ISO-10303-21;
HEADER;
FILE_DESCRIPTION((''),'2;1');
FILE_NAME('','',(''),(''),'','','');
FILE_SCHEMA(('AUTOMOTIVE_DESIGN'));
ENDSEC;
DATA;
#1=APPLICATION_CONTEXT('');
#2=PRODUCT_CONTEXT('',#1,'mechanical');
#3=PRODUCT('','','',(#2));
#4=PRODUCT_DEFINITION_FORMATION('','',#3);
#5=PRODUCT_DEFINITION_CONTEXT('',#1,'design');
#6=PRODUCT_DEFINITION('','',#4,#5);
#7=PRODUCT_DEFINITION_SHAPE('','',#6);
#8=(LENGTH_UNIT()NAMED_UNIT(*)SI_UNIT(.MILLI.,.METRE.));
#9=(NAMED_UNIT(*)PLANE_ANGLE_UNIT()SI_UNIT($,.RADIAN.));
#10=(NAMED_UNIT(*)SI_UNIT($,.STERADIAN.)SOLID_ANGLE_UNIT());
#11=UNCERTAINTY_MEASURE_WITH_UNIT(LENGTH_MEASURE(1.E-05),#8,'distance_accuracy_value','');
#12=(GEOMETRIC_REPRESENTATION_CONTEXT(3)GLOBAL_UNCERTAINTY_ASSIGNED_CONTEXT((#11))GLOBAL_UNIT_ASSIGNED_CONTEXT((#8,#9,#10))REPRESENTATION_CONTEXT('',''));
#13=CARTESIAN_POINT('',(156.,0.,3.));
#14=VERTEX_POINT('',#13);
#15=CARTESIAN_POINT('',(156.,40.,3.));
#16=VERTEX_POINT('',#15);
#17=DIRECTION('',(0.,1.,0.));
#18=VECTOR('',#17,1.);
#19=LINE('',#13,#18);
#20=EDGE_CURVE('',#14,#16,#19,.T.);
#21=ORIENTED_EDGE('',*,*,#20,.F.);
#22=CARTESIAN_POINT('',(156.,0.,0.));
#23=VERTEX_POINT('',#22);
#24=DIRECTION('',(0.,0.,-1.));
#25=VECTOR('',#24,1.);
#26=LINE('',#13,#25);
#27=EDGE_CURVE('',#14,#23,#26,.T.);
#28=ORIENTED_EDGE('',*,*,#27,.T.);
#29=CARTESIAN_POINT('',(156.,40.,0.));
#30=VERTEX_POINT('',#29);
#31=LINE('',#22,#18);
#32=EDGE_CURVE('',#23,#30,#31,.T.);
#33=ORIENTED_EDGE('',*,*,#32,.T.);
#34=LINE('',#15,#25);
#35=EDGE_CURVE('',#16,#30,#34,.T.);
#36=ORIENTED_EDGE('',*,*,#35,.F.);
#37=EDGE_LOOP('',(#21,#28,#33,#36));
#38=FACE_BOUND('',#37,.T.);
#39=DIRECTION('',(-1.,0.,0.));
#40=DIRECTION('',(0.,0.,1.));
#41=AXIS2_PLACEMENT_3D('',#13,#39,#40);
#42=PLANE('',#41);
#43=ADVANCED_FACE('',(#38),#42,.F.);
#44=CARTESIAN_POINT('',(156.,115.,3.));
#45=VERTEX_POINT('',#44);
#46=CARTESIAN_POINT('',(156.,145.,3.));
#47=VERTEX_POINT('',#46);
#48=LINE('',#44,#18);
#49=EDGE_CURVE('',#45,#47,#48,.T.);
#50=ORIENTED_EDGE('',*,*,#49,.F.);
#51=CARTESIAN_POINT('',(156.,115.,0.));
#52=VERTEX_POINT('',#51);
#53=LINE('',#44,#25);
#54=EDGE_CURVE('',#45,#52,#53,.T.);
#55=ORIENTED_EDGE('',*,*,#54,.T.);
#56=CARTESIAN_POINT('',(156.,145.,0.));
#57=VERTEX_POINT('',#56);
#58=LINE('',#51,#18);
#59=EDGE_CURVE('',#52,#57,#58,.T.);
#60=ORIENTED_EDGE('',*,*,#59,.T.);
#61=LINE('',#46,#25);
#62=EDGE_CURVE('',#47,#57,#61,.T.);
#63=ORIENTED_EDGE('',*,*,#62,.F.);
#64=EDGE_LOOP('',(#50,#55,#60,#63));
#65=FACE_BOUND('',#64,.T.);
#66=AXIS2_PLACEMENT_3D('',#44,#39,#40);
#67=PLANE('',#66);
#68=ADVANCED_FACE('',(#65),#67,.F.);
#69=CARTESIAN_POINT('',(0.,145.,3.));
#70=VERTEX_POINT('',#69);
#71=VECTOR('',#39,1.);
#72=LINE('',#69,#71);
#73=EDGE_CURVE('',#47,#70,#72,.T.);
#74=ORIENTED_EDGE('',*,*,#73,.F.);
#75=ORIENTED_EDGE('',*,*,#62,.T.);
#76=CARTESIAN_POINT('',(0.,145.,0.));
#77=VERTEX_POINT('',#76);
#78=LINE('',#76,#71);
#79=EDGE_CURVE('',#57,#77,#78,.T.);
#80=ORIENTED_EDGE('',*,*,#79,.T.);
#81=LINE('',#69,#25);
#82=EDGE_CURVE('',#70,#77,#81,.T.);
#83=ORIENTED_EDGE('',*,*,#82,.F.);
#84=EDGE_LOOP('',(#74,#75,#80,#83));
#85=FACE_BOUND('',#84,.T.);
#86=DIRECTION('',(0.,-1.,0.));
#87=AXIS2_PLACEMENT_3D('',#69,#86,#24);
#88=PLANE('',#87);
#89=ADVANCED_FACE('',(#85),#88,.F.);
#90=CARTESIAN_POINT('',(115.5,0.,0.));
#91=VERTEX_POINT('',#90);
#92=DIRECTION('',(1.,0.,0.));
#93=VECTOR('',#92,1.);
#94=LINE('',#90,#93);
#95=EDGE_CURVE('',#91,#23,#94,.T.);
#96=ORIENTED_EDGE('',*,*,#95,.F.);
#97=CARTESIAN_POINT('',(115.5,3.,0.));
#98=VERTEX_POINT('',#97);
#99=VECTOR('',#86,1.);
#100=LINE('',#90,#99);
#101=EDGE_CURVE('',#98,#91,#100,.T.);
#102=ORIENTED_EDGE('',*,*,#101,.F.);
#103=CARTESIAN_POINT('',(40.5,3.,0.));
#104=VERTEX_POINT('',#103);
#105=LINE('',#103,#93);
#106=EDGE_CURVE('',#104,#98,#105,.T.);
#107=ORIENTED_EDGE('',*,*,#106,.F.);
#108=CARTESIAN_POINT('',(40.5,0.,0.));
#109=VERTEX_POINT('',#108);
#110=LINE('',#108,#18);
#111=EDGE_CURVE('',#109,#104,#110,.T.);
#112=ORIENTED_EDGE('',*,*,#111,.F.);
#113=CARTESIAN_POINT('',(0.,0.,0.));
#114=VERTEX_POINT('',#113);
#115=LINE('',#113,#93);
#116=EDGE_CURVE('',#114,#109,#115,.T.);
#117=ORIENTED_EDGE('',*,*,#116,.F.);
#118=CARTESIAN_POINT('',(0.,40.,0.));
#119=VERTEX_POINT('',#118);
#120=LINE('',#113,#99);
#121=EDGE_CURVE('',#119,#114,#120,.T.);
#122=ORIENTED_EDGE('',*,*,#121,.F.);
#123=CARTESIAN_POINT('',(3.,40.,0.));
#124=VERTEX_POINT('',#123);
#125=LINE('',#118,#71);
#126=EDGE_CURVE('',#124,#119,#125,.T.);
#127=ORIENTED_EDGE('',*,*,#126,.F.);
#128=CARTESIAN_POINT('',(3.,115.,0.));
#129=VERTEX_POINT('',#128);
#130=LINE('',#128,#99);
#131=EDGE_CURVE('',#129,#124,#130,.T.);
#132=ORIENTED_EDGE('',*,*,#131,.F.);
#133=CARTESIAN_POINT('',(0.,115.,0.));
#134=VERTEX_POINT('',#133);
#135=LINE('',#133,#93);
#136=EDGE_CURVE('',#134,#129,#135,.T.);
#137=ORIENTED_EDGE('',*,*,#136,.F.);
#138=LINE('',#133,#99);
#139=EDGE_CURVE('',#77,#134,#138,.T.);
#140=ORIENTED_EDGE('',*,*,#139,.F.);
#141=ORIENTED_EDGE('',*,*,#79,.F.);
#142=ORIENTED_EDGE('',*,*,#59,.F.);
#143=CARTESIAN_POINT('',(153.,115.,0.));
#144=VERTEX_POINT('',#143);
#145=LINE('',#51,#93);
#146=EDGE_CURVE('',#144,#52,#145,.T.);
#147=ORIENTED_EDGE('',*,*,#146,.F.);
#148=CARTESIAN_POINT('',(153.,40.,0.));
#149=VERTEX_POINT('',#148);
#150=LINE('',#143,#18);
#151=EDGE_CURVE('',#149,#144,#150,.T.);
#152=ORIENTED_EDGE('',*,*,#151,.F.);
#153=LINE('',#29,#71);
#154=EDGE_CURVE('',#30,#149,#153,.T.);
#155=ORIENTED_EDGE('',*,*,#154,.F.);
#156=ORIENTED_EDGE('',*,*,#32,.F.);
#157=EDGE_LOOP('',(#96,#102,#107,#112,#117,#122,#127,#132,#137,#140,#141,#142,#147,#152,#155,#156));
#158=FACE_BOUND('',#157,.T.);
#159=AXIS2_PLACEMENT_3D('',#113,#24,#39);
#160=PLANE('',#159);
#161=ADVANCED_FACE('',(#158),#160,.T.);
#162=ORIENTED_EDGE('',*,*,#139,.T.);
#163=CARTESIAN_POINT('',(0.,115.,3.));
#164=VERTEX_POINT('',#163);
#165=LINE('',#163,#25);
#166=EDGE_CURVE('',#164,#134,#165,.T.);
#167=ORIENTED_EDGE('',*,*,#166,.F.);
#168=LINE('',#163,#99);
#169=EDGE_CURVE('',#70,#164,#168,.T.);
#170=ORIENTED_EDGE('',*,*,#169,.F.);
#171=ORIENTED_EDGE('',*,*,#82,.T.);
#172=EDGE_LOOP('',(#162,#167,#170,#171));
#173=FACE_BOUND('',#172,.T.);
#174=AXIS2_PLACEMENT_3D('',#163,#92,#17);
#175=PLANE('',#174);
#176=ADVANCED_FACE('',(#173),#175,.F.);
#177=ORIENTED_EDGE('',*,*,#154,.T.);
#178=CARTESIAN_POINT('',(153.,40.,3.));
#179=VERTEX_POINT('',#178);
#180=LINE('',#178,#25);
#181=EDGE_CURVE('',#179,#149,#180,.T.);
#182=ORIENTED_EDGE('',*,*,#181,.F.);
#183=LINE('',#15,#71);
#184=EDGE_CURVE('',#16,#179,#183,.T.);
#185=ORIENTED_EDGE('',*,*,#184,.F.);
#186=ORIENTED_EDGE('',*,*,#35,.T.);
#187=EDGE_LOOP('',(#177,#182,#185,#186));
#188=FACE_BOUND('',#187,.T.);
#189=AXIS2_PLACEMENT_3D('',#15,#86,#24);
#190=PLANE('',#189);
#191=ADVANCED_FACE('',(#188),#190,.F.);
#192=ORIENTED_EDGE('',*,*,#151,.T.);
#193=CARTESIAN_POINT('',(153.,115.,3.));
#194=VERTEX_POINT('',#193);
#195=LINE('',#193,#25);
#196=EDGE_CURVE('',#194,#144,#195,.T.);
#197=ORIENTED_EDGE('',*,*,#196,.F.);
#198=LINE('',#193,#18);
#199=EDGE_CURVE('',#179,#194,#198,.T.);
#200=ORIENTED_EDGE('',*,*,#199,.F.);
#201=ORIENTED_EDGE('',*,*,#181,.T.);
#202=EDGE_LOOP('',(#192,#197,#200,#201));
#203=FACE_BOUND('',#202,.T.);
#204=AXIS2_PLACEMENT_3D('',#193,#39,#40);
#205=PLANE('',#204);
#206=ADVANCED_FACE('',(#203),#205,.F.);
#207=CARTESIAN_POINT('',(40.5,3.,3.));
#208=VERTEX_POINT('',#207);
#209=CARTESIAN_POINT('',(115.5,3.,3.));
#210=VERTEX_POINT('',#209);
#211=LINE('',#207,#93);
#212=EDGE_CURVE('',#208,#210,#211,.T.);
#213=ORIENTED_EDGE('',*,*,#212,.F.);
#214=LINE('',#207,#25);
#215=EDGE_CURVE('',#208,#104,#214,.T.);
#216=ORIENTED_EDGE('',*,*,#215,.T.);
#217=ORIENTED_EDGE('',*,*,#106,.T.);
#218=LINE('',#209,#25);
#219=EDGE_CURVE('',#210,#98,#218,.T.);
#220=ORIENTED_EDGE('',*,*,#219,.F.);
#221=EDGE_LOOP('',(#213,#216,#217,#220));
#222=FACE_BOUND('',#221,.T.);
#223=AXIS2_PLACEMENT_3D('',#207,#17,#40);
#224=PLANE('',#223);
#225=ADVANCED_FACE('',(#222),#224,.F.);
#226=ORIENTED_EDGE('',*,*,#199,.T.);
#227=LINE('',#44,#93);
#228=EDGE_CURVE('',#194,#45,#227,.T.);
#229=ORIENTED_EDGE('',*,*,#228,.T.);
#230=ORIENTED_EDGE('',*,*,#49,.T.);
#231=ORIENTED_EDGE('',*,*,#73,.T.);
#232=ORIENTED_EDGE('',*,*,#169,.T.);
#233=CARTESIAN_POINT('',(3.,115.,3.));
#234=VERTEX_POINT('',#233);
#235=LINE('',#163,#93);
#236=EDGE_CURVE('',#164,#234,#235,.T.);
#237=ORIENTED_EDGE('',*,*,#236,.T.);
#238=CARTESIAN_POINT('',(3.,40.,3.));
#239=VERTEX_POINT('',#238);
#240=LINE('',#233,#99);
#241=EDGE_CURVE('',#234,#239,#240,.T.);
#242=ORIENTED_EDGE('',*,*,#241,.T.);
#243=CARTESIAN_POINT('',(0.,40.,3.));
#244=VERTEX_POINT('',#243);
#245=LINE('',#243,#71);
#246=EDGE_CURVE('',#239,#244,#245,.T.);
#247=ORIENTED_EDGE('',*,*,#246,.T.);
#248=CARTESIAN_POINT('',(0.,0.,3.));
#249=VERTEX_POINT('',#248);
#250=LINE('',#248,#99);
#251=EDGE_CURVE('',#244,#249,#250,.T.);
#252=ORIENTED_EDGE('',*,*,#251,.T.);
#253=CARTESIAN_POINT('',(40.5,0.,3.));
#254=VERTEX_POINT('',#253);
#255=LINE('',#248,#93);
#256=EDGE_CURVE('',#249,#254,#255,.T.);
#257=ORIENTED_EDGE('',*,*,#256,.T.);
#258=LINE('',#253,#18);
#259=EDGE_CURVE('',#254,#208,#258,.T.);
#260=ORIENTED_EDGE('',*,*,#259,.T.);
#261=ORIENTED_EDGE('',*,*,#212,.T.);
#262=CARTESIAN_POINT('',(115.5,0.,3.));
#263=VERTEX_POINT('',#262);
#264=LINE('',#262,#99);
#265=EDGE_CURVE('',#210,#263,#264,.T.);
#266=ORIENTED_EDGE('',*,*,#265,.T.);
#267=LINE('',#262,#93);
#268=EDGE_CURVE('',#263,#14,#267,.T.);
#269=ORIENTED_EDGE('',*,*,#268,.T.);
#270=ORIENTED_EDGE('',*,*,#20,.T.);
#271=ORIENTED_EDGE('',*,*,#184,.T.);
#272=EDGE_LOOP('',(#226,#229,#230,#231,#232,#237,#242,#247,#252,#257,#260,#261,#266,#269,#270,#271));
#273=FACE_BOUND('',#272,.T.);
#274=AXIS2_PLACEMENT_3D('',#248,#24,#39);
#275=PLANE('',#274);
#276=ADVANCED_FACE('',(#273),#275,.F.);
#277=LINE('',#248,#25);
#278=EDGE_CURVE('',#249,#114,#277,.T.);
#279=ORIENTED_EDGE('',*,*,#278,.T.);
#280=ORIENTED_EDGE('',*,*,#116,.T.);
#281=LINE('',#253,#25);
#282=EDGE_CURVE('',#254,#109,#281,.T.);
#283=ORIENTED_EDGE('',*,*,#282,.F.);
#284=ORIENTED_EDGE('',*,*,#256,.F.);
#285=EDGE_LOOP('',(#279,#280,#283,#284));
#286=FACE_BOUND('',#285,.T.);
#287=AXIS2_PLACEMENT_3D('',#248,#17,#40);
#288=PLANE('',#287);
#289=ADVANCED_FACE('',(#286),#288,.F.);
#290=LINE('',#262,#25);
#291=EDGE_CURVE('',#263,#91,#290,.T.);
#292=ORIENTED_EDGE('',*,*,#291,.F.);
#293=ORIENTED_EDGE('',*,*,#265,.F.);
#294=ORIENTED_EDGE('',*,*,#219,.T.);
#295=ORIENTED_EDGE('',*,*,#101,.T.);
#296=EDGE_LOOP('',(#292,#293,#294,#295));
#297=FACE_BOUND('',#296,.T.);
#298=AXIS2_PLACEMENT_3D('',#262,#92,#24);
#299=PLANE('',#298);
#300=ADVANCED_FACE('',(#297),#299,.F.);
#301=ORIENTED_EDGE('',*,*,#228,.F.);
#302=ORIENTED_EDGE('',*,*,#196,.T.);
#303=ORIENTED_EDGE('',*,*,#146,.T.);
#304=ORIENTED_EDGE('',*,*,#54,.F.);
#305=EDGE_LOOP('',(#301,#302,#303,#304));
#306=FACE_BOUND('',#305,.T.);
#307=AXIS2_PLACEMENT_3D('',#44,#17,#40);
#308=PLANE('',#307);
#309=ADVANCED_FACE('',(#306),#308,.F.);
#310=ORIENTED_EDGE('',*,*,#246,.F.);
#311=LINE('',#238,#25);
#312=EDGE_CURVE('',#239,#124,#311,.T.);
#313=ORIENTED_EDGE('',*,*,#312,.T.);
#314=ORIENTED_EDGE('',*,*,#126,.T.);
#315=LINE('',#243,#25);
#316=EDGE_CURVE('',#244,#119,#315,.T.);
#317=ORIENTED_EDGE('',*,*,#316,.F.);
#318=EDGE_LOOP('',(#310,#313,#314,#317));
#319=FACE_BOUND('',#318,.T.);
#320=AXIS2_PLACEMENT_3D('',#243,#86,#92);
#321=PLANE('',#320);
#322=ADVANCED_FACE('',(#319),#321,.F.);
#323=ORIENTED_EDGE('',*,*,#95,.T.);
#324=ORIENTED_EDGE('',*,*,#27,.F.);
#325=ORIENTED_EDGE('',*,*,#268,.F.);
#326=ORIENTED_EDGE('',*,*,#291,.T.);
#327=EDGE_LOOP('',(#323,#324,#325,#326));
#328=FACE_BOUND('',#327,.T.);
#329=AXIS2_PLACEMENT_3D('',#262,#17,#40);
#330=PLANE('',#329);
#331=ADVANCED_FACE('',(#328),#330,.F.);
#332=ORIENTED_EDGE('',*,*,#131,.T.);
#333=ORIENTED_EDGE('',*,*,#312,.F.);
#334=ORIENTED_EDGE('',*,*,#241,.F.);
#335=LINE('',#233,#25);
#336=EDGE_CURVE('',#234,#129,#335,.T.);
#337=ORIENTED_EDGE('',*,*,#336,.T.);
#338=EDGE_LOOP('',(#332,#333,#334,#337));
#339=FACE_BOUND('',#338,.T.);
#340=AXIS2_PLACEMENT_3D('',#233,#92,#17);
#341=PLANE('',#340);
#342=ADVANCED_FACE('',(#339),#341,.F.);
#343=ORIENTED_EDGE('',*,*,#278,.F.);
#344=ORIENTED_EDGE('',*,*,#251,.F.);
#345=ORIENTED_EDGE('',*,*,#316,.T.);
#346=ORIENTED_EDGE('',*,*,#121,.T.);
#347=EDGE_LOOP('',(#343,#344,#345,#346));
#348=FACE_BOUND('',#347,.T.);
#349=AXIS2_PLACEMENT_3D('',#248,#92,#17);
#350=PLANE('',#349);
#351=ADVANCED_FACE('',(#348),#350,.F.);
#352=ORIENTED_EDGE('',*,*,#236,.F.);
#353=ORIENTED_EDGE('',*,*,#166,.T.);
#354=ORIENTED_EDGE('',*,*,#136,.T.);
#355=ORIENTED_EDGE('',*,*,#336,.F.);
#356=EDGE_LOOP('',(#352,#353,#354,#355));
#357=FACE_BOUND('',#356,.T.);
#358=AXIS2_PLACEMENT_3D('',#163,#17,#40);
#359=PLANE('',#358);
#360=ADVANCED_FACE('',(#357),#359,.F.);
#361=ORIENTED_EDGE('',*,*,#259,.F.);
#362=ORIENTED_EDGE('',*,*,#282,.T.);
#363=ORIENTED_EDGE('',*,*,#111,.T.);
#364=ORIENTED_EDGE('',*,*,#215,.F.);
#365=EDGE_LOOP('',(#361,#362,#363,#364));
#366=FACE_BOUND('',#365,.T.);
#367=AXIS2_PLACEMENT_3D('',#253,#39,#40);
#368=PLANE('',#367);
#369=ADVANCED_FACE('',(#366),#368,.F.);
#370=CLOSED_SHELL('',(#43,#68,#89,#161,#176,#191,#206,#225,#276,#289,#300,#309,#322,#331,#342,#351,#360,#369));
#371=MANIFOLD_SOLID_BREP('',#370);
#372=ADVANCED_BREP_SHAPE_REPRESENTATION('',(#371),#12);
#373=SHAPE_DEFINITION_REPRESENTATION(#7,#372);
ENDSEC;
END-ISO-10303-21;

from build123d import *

# Parameters (mm, degrees)
SALIENTE_EXTRUIR1_DEPTH = 3


with BuildPart() as part:
    # Croquis1 → Saliente-Extruir1 (new body)
    with BuildSketch(Plane.XY):
        Polygon((0, 115), (0, 145), (156, 145), (156, 115), (153, 115), (153, 40), (156, 40), (156, 0), (115.5, 0), (115.5, 3), (40.5, 3), (40.5, 0), (0, 0), (0, 40), (3, 40), (3, 115), align=None)
    extrude(amount=SALIENTE_EXTRUIR1_DEPTH)


solid = part.part
